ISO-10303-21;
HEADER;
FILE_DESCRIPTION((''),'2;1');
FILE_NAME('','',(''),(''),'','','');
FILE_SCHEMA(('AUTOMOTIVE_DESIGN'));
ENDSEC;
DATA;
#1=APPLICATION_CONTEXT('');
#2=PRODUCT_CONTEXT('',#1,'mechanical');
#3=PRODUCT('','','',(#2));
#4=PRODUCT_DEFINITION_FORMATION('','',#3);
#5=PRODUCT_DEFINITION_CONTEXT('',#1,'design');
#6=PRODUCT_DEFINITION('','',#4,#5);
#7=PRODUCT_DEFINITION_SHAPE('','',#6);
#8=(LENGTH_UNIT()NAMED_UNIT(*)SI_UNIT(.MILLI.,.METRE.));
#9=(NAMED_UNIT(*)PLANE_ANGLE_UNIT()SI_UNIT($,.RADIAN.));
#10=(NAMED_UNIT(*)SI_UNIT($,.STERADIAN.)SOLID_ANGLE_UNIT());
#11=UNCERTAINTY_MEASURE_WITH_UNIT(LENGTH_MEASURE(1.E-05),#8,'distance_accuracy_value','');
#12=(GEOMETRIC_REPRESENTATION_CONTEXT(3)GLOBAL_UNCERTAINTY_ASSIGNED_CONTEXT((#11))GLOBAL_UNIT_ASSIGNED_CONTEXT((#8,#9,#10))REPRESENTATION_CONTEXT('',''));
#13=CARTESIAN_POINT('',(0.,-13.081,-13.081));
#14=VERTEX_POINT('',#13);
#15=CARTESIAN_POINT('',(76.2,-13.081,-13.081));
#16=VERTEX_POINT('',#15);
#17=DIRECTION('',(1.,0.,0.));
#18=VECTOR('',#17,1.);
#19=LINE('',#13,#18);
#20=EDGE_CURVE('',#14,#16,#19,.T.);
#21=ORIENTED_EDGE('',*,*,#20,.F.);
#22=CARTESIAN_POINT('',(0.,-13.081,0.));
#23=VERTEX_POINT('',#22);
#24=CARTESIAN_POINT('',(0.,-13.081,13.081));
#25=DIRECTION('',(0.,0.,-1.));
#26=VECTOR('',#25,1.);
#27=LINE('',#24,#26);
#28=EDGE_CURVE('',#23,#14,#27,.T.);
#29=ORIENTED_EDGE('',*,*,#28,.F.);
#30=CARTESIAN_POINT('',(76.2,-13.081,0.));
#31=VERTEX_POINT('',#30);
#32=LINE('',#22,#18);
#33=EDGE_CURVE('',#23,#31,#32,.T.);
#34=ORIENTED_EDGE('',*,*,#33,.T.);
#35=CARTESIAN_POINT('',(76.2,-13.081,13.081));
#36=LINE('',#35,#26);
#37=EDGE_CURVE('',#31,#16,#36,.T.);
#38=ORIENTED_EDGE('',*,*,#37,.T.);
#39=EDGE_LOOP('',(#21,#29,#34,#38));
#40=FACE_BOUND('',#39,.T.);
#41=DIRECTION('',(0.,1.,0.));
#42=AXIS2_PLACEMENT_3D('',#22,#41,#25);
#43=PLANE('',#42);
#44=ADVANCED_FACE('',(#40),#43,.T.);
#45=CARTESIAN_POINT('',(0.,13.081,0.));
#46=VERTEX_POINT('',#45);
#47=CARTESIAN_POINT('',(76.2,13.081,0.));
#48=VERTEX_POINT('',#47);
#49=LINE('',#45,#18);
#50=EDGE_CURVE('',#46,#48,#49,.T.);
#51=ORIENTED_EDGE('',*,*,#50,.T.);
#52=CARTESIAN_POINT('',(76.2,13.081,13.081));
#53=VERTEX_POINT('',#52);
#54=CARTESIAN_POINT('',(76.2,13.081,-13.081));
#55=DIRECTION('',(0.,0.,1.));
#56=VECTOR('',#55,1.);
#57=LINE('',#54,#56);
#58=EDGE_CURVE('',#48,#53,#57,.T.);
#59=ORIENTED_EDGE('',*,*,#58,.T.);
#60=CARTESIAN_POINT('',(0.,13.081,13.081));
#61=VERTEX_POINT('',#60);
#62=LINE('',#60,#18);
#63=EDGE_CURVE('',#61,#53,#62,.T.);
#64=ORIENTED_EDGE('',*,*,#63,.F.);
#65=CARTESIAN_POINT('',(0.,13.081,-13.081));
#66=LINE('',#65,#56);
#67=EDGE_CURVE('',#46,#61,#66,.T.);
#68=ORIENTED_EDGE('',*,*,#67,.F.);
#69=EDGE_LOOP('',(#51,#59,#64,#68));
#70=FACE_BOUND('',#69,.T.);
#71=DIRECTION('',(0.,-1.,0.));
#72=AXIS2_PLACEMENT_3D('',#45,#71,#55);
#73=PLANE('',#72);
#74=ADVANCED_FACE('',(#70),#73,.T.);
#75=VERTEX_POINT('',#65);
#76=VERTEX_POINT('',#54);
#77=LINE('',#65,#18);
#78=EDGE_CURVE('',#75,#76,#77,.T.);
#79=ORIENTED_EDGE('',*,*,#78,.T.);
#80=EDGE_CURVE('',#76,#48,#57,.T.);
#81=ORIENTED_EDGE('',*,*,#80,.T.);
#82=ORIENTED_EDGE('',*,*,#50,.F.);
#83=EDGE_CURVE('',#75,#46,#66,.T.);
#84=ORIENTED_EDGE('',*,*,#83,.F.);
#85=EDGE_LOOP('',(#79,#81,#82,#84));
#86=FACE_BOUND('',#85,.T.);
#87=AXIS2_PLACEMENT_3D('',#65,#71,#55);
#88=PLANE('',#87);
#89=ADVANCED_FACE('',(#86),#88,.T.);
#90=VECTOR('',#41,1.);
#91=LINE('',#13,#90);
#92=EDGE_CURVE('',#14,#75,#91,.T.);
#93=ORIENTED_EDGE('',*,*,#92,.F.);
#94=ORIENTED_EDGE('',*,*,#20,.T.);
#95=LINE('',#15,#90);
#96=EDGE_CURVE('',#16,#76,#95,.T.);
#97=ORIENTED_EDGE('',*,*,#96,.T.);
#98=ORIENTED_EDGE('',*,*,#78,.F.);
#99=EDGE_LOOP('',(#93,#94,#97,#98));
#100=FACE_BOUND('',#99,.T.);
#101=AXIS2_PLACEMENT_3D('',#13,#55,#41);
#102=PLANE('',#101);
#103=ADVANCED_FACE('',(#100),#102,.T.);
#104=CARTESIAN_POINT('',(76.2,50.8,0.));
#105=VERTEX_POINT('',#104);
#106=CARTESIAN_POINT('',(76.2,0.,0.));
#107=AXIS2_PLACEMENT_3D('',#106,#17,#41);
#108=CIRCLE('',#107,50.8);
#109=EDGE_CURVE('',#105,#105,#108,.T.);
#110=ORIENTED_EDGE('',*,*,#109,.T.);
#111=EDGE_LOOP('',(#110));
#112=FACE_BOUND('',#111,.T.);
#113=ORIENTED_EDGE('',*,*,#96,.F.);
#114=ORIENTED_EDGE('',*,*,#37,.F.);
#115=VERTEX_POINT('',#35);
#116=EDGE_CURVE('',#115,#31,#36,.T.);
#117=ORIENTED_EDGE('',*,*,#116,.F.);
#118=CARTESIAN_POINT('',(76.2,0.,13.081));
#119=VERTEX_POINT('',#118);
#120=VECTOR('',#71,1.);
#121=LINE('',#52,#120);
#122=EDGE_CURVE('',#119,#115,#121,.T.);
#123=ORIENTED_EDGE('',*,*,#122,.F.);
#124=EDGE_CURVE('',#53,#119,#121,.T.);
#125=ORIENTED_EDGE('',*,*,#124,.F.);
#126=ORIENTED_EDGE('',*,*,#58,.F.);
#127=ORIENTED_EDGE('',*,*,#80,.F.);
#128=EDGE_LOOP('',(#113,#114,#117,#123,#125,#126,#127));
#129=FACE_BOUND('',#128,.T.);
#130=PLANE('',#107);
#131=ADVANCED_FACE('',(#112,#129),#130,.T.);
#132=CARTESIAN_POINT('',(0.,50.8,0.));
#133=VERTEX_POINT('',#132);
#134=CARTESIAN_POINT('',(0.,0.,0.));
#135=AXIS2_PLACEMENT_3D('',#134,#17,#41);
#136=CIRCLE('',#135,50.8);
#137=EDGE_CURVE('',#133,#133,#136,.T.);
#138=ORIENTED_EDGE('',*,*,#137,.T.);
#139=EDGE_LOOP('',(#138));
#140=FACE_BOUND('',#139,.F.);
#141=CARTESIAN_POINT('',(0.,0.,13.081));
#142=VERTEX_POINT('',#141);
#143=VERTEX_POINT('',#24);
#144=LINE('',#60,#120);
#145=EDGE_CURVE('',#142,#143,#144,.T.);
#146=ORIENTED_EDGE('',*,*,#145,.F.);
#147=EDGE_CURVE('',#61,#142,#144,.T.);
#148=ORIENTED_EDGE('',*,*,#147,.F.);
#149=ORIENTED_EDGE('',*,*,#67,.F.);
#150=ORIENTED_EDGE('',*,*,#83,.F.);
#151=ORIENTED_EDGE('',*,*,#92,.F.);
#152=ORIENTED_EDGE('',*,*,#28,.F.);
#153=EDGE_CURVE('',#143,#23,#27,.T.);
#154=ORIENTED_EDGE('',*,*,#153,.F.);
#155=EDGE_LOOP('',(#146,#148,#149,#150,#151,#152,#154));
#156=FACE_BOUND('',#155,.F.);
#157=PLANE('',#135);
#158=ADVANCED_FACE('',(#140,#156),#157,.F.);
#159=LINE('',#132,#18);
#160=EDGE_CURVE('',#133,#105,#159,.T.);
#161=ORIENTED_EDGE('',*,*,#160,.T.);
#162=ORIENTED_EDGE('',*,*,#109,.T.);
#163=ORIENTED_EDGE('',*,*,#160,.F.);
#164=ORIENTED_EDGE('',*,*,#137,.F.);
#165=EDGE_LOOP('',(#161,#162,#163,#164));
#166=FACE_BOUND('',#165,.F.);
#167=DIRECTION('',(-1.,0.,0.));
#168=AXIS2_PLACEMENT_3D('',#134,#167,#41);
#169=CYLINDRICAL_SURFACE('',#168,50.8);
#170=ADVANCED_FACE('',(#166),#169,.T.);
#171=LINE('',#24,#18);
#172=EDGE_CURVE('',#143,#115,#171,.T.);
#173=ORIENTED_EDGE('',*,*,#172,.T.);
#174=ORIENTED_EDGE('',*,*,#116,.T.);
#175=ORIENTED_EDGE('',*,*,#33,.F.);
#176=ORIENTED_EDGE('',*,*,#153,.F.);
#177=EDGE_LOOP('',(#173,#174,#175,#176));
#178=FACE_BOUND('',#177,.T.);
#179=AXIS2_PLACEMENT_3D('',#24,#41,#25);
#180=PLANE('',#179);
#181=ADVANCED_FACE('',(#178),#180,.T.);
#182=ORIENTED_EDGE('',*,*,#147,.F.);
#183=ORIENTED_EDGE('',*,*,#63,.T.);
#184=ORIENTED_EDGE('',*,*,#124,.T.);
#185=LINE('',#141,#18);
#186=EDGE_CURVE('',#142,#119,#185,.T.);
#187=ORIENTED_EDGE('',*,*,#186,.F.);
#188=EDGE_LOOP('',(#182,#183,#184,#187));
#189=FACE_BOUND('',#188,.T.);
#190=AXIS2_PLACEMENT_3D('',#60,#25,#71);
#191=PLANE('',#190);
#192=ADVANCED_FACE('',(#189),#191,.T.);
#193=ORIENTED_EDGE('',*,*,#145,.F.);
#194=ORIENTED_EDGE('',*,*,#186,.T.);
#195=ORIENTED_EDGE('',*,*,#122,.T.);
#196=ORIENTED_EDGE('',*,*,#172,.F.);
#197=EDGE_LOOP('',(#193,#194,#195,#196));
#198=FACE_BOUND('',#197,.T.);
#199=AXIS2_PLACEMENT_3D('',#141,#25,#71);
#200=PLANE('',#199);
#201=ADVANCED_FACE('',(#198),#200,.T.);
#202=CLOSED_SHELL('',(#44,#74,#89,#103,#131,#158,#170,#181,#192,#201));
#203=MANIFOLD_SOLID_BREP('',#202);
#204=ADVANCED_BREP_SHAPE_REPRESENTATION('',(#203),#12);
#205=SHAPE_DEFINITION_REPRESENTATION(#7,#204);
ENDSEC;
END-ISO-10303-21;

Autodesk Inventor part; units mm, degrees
ref_plane "YZ Plane" through (0, 0, 0) normal (1, 0, 0) x (0, 1, 0)
ref_plane "XZ Plane" through (0, 0, 0) normal (0, 1, 0) x (-1, 0, 0)
ref_plane "XY Plane" through (0, 0, 0) normal (0, 0, 1) x (1, 0, 0)
sketch "Sketch1" plane through (0, 0, 0) normal (1, 0, 0) x (0, 1, 0)
  circle A0 centre (0, 0) radius 50.8
  line L0 (13.081, 13.081) -> (-13.081, 13.081)
  line L1 (-13.081, 13.081) -> (-13.081, -13.081)
  line L2 (-13.081, -13.081) -> (13.081, -13.081)
  line L3 (13.081, -13.081) -> (13.081, 13.081)
  line L4 (13.081, 0) -> (-13.081, 0)
  line L5 (0, 13.081) -> (0, 0)
  dimension "d0" = 101.6
  dimension "d1" = 26.162
  dimension "d2" = 26.162
extrude "Extrusion1" add sketch "Sketch1" along normal blind 76.2
properties part number "220218 Large Rod Attachment (plain - remastered - adjusted 0.02 inch)"
